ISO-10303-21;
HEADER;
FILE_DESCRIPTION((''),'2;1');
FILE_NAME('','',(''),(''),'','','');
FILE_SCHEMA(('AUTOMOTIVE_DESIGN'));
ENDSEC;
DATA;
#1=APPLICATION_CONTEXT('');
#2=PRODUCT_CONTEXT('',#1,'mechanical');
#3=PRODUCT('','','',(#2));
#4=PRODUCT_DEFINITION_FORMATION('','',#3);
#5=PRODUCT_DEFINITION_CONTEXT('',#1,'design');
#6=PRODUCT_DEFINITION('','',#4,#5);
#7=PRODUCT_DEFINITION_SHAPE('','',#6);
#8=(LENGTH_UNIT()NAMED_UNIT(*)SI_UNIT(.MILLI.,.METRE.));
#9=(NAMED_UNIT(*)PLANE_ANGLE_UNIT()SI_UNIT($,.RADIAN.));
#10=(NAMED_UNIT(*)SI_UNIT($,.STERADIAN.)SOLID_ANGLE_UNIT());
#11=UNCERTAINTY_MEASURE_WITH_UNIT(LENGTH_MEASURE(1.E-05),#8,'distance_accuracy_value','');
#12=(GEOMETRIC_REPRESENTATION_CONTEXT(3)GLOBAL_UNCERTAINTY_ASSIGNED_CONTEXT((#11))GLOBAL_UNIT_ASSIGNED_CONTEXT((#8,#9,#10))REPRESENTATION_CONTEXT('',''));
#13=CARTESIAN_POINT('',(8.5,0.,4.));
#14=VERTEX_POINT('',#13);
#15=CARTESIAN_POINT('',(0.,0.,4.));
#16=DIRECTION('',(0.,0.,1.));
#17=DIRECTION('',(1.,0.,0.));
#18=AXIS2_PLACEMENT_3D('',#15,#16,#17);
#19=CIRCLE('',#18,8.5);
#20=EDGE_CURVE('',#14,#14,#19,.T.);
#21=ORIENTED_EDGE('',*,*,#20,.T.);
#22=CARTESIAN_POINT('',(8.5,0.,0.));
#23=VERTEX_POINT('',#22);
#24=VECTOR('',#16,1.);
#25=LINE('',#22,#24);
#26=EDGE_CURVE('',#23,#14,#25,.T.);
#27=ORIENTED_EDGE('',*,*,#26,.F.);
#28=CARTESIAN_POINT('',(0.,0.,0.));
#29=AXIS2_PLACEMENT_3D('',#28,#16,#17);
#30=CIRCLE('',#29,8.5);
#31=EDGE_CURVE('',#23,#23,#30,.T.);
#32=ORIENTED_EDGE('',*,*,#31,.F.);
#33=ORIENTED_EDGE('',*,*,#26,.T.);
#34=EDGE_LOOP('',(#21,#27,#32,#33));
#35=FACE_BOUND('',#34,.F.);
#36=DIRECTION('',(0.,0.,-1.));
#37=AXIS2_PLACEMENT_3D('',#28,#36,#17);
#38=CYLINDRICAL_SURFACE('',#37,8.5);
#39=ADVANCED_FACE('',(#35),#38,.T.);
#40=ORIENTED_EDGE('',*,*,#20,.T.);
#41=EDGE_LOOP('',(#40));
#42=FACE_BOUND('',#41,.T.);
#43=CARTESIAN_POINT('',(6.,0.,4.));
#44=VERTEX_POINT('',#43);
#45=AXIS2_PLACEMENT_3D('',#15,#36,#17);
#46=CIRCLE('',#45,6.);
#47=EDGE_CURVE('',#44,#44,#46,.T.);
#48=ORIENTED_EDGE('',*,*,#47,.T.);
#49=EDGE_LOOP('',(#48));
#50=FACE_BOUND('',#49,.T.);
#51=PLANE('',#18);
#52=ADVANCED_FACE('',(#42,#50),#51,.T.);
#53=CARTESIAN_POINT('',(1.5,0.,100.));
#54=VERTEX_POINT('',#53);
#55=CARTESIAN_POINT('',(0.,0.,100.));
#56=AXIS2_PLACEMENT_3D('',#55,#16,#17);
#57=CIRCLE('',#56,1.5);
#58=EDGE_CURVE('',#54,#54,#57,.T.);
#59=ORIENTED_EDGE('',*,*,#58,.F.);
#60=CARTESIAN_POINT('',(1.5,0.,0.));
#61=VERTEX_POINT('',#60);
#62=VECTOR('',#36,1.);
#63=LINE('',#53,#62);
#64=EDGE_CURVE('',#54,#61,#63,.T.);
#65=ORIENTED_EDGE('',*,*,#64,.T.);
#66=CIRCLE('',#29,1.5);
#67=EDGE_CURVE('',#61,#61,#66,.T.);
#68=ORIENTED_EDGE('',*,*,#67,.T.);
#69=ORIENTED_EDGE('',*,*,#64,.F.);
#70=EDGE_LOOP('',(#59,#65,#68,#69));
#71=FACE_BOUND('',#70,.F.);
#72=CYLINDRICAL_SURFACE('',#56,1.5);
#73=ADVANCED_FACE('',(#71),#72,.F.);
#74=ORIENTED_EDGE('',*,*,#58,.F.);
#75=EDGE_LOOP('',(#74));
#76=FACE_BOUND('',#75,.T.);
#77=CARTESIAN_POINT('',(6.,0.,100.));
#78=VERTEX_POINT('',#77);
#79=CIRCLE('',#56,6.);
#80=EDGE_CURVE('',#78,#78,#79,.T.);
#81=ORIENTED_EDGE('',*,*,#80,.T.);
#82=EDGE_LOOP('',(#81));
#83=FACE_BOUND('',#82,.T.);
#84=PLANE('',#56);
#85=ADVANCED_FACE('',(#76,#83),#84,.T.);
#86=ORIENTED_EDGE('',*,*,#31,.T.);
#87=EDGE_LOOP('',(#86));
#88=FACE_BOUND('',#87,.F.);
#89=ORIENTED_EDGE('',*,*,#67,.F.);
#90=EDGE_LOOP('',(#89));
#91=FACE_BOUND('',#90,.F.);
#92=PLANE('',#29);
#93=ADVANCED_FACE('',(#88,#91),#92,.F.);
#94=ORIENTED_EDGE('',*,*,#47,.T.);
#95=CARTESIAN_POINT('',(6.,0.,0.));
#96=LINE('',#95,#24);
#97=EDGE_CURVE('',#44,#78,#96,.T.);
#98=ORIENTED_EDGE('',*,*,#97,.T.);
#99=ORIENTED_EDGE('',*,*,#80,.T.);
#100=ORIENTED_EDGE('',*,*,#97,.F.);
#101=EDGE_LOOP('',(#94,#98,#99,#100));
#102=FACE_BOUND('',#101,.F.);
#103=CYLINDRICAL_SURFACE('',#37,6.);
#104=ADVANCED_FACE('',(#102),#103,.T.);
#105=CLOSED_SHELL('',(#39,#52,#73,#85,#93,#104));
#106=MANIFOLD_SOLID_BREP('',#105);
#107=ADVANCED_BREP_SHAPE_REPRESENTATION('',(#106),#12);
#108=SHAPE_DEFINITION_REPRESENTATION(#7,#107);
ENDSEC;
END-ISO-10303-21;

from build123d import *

# Parameters (mm, degrees)
F0_R     = 8.5
F1_DEPTH = 4
F2_R     = 6
F3_DEPTH = 100
F4_R     = 1.5
F5_DEPTH = 114.9


with BuildPart() as f1:
    # F0 (on Top) → F1 (new body)
    with BuildSketch(Plane.XY):
        Circle(F0_R)
    extrude(amount=F1_DEPTH)

    # F2 (on Top) → F3 (join)
    with BuildSketch(Plane.XY):
        Circle(F2_R)
    extrude(amount=F3_DEPTH)

    # F4 (on face) → F5 (cut)
    with BuildSketch(Plane.XY.offset(100)):
        Circle(F4_R)
    extrude(amount=-F5_DEPTH, mode=Mode.SUBTRACT)


solid = f1.part
